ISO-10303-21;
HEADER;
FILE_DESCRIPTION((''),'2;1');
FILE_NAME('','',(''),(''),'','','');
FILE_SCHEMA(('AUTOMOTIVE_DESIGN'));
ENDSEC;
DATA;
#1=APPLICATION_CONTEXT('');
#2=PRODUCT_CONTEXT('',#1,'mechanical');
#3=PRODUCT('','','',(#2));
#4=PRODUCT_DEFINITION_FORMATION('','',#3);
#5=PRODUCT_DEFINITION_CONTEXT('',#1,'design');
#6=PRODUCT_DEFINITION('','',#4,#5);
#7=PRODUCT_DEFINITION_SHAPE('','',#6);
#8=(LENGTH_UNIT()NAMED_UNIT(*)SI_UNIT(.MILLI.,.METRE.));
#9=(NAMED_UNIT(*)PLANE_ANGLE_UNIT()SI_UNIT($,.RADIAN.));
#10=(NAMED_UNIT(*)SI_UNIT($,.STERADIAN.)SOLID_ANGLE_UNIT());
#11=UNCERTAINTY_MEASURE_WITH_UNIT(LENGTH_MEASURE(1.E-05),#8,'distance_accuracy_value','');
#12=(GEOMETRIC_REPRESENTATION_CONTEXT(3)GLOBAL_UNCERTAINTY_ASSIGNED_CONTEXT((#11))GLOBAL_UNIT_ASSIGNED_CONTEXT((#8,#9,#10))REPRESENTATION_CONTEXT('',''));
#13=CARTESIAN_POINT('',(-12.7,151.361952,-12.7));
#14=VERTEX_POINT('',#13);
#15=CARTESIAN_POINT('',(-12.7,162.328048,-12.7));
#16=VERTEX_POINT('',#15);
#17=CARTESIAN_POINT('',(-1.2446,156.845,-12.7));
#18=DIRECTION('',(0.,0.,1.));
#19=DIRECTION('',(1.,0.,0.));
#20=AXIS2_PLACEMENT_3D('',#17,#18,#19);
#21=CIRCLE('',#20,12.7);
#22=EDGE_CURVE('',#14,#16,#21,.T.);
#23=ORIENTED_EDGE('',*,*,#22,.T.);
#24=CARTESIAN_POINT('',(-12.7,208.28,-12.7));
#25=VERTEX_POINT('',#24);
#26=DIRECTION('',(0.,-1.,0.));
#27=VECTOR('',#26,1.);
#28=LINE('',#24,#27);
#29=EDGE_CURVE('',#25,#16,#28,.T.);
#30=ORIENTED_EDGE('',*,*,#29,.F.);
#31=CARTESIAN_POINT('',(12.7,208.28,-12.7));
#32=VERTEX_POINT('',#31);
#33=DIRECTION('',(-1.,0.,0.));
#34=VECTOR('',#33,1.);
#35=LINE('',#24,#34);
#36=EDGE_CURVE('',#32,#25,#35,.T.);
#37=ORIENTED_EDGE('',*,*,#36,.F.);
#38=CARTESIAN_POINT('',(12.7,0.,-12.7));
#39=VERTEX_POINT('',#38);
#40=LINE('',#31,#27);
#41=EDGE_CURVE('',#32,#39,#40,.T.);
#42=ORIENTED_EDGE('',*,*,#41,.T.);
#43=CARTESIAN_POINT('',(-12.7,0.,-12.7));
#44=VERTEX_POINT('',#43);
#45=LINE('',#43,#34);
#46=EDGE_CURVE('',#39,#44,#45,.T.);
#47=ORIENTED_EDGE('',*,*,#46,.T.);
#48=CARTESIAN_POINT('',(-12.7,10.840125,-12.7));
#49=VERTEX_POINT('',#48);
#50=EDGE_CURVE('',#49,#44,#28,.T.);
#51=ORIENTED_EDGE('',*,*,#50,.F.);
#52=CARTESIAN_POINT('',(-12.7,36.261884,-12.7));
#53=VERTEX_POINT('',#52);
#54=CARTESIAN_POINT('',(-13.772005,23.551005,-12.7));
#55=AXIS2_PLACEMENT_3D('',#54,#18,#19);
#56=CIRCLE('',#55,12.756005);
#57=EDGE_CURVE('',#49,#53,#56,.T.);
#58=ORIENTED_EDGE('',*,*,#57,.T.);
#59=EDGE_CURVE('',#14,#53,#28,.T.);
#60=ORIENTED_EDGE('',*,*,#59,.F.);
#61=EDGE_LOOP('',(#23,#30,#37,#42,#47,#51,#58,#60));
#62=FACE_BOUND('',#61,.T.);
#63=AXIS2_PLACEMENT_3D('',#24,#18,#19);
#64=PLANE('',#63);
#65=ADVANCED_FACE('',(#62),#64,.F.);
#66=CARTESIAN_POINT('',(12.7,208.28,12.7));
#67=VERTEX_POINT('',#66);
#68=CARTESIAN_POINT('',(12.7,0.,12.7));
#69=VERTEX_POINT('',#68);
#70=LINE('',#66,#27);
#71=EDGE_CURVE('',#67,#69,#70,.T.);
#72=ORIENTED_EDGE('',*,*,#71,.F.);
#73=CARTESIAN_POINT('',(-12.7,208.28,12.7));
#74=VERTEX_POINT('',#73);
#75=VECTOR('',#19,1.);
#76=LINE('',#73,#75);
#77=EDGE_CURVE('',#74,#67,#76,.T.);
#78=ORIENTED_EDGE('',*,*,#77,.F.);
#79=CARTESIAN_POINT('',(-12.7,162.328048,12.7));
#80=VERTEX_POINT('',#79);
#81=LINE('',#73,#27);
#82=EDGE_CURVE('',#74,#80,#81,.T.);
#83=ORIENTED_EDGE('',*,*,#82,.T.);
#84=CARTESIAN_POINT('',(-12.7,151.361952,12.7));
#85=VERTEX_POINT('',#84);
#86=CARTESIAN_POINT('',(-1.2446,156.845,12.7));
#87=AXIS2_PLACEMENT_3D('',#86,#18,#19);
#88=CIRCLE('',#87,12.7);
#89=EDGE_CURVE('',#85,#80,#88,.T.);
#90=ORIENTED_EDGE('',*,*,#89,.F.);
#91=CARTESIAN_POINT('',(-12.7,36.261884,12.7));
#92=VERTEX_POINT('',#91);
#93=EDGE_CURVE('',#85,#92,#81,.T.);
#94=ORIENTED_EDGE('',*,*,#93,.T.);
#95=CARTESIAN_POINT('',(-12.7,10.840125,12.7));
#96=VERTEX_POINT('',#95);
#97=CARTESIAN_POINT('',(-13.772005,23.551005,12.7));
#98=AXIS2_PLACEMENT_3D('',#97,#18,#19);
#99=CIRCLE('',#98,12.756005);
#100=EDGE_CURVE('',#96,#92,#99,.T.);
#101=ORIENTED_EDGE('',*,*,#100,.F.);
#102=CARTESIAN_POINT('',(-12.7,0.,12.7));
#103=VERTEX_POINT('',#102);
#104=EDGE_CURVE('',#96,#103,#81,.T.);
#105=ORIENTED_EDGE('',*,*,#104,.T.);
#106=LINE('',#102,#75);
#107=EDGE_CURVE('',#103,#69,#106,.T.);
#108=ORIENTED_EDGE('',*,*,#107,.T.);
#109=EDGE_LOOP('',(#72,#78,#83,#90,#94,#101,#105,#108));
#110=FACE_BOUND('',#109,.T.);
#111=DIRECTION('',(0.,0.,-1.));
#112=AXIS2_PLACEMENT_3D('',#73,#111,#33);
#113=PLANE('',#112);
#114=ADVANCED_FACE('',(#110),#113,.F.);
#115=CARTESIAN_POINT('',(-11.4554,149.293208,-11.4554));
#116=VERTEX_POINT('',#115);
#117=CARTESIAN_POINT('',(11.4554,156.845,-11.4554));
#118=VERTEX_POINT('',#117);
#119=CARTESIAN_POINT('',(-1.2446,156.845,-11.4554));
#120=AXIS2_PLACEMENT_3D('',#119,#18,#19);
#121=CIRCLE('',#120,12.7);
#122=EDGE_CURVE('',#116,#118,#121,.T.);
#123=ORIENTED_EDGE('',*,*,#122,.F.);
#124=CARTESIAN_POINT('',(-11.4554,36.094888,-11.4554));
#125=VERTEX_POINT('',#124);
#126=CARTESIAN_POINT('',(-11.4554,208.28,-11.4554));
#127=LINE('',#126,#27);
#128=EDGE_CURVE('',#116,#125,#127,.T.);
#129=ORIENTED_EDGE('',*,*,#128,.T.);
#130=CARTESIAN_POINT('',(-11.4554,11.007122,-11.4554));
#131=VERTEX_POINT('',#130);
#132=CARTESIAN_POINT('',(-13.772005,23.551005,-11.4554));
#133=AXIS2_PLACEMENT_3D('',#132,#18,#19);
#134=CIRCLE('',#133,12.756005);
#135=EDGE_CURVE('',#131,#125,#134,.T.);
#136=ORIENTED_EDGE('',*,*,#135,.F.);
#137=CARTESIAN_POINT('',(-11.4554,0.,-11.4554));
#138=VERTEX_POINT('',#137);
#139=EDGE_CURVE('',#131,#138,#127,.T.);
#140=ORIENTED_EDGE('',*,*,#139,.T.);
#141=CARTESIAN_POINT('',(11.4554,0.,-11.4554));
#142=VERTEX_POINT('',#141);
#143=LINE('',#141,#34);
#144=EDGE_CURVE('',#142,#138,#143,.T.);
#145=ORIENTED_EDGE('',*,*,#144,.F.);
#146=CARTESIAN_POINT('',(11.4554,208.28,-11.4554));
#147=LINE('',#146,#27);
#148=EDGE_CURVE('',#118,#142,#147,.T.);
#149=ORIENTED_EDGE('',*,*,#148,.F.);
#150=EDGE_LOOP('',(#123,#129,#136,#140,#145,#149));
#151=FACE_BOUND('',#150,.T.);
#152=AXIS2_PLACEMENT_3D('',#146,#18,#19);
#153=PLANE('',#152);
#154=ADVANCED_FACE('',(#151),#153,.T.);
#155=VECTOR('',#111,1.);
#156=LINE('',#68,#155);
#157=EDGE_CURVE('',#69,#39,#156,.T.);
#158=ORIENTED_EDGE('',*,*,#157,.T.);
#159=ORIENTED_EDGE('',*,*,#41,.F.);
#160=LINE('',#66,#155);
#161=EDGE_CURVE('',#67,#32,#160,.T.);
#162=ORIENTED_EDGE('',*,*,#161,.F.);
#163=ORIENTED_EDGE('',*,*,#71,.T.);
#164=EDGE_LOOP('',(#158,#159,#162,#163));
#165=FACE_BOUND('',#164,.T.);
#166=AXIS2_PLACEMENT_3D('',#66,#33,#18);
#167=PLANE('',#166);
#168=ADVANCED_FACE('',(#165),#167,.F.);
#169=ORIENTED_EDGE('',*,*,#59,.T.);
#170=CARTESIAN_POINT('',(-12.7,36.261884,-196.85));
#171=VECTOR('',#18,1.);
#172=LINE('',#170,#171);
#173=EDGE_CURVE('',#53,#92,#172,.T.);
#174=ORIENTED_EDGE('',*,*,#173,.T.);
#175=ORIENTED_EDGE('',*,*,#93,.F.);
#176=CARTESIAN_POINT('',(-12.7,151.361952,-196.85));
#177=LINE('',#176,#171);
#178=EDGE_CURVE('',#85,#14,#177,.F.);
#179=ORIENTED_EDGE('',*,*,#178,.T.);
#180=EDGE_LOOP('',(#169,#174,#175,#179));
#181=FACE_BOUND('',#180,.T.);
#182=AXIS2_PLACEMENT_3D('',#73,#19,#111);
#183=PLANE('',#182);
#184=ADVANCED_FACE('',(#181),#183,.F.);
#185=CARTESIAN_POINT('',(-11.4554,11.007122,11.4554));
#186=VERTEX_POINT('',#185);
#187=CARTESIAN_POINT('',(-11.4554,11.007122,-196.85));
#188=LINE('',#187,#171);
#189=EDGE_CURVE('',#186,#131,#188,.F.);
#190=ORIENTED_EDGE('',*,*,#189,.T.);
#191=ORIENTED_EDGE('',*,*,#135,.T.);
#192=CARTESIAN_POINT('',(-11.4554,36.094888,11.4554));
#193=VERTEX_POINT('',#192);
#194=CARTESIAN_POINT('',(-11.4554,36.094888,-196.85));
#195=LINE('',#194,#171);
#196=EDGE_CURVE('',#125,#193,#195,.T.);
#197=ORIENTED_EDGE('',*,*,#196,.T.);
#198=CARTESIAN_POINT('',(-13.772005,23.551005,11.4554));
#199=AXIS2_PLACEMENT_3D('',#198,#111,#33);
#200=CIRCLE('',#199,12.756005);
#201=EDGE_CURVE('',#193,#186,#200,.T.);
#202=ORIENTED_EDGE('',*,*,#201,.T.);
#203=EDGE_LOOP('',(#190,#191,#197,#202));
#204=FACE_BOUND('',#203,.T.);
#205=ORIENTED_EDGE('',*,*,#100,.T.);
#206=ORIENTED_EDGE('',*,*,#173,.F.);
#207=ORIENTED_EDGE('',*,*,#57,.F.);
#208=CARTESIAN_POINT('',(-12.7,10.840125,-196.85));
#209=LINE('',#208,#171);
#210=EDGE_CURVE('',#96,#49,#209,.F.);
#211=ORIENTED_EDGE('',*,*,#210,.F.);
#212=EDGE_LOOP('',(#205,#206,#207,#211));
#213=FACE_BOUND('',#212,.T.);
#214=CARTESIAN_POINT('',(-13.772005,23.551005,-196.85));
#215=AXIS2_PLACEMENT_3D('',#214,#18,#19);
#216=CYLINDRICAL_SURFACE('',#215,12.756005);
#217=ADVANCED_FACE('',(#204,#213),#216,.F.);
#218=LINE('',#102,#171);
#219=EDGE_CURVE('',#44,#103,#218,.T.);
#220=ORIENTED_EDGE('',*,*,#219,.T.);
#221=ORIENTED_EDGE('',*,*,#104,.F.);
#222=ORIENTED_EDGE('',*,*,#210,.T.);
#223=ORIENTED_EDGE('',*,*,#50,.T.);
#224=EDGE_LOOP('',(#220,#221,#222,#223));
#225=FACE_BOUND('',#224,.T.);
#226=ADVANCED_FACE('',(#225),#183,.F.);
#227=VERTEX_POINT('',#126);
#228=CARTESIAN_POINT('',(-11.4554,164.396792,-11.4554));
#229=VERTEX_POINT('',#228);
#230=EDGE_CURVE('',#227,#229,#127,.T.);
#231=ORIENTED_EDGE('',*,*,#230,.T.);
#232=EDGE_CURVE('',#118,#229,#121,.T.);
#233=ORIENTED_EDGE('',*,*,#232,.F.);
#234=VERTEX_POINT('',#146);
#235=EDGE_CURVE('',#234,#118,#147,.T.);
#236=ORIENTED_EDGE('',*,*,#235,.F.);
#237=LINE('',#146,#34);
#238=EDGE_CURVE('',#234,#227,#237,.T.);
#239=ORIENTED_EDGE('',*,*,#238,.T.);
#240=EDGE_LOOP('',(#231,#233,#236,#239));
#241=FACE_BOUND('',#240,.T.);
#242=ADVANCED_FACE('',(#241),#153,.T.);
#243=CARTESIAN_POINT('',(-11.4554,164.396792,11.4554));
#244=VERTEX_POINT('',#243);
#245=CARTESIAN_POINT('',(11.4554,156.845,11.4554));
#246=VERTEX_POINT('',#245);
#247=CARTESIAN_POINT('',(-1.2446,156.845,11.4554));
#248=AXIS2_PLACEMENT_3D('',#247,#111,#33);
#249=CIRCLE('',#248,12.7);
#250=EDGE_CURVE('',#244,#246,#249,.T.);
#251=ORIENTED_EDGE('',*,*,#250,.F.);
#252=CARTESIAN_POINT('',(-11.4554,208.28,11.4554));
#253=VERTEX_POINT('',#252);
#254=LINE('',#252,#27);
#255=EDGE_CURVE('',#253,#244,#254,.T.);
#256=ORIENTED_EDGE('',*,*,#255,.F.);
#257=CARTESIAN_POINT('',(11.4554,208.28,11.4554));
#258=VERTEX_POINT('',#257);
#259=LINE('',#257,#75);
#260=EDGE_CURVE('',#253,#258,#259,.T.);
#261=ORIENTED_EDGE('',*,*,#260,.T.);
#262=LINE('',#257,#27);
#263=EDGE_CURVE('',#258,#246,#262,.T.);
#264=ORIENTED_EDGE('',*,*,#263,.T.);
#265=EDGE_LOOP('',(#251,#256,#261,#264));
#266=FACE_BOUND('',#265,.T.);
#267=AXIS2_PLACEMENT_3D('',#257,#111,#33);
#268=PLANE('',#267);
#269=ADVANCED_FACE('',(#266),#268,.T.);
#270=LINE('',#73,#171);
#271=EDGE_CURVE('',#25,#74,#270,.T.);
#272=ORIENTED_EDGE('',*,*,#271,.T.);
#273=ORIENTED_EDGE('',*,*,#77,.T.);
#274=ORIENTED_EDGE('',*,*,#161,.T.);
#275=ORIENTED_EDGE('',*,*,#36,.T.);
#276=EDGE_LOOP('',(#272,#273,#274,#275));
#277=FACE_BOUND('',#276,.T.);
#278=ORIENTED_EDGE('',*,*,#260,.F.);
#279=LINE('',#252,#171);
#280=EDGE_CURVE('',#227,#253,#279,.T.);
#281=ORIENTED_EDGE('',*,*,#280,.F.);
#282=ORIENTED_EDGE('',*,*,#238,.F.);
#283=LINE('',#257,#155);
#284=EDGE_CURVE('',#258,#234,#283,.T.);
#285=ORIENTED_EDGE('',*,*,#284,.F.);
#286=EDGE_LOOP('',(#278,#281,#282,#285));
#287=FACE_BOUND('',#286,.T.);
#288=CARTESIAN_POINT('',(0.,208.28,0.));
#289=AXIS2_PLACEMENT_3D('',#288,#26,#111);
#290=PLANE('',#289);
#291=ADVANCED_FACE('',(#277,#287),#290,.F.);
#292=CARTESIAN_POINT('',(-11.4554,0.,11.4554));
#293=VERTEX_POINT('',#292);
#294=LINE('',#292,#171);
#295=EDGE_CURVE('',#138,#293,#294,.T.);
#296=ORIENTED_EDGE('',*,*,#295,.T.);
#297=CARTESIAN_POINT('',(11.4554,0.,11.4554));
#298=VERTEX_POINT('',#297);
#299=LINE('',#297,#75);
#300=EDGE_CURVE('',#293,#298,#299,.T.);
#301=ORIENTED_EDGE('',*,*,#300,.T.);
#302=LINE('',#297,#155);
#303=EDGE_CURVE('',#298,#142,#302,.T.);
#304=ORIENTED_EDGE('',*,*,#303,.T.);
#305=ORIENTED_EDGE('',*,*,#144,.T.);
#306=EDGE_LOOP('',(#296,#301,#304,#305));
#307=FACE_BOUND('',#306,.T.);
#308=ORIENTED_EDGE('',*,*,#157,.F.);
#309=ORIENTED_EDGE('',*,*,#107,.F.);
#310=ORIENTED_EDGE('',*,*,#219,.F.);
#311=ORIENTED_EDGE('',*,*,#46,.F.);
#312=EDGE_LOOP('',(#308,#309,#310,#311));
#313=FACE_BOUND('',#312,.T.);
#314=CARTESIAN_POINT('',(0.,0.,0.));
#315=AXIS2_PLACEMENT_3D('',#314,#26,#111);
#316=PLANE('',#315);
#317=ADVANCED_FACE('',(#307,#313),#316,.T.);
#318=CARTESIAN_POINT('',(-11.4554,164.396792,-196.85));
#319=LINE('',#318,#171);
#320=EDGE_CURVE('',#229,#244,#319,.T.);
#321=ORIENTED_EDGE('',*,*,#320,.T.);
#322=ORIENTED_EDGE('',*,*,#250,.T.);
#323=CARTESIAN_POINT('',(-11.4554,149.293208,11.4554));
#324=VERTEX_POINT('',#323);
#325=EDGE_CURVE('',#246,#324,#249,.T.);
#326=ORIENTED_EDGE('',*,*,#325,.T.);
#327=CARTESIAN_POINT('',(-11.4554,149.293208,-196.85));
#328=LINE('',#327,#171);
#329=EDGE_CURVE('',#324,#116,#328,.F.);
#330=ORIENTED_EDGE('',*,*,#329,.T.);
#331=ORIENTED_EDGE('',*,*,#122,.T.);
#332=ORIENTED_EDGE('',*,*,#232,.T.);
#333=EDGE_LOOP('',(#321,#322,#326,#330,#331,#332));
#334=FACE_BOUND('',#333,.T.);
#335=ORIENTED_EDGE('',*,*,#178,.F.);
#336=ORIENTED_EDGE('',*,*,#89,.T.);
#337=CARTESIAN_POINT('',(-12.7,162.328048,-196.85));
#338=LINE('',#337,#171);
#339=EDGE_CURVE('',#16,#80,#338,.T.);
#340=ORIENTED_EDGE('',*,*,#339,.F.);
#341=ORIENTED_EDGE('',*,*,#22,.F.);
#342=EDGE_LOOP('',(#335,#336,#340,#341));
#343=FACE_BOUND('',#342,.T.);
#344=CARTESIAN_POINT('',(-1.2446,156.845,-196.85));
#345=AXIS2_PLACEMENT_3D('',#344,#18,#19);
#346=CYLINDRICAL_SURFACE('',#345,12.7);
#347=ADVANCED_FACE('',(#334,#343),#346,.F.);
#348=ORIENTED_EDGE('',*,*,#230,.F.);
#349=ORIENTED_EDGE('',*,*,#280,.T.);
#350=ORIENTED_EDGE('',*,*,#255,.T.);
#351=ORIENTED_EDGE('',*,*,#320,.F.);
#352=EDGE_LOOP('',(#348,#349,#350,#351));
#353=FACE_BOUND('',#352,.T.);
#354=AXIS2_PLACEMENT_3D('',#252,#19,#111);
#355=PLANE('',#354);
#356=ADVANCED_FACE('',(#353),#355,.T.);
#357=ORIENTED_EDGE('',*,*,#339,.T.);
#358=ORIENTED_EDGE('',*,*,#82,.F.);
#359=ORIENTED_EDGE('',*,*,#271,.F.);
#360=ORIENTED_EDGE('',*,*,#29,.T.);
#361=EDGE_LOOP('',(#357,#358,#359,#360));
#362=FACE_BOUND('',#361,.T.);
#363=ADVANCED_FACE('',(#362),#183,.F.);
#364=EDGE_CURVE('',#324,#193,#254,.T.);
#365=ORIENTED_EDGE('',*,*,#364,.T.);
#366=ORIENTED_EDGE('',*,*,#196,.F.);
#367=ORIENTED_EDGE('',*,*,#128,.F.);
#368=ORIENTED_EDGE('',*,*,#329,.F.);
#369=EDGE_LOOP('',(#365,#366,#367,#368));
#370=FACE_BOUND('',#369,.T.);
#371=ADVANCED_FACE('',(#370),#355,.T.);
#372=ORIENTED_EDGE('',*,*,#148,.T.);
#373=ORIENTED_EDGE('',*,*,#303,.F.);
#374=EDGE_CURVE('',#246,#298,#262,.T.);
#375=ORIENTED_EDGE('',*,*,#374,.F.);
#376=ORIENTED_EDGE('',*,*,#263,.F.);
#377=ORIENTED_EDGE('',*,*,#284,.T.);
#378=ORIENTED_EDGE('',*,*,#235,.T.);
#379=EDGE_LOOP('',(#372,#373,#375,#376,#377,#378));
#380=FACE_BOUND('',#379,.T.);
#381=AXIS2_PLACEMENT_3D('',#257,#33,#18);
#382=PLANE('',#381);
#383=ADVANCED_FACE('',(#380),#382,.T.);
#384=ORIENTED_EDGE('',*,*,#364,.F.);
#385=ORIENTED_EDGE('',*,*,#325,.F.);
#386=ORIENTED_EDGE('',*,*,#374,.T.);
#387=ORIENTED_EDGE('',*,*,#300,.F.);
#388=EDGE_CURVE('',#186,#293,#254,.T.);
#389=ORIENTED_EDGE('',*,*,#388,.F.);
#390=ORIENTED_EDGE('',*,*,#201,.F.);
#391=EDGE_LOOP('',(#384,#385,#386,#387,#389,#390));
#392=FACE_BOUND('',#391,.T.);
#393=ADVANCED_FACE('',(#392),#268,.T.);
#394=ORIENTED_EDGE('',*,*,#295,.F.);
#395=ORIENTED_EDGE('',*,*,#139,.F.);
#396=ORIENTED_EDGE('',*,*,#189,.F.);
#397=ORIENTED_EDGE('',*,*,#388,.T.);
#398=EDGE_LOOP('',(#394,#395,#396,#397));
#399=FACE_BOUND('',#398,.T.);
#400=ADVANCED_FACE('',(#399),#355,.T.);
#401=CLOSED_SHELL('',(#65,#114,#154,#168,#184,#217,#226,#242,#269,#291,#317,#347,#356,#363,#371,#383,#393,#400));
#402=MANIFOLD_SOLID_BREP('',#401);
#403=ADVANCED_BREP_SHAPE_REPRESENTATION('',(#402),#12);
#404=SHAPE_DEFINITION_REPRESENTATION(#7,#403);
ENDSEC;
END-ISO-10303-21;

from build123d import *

# Parameters (mm, degrees)
SKETCH1_W           = 25.4
SKETCH1_H           = 25.4
SKETCH1_W_2         = 22.9108
SKETCH1_H_2         = 22.9108
BOSS_EXTRUDE1_DEPTH = 208.28
SKETCH2_R           = 12.75600471
SKETCH2_R_2         = 12.7
CUT_EXTRUDE1_DEPTH  = 209.55


with BuildPart() as part:
    # Sketch1 → Boss-Extrude1 (new body)
    with BuildSketch(Plane(origin=(0, 0, 0), x_dir=(1, 0, 0), z_dir=(0, 1, 0))):
        Rectangle(SKETCH1_W, SKETCH1_H)
        Rectangle(SKETCH1_W_2, SKETCH1_H_2, mode=Mode.SUBTRACT)
    extrude(amount=BOSS_EXTRUDE1_DEPTH)

    # Sketch2 → Cut-Extrude1 (cut)
    with BuildSketch(Plane.XY.offset(12.7)):
        with Locations((-13.77200471, 23.55100471)):
            Circle(SKETCH2_R)
        with Locations((-1.2446, 156.845)):
            Circle(SKETCH2_R_2)
    extrude(amount=-CUT_EXTRUDE1_DEPTH, mode=Mode.SUBTRACT)


solid = part.part
